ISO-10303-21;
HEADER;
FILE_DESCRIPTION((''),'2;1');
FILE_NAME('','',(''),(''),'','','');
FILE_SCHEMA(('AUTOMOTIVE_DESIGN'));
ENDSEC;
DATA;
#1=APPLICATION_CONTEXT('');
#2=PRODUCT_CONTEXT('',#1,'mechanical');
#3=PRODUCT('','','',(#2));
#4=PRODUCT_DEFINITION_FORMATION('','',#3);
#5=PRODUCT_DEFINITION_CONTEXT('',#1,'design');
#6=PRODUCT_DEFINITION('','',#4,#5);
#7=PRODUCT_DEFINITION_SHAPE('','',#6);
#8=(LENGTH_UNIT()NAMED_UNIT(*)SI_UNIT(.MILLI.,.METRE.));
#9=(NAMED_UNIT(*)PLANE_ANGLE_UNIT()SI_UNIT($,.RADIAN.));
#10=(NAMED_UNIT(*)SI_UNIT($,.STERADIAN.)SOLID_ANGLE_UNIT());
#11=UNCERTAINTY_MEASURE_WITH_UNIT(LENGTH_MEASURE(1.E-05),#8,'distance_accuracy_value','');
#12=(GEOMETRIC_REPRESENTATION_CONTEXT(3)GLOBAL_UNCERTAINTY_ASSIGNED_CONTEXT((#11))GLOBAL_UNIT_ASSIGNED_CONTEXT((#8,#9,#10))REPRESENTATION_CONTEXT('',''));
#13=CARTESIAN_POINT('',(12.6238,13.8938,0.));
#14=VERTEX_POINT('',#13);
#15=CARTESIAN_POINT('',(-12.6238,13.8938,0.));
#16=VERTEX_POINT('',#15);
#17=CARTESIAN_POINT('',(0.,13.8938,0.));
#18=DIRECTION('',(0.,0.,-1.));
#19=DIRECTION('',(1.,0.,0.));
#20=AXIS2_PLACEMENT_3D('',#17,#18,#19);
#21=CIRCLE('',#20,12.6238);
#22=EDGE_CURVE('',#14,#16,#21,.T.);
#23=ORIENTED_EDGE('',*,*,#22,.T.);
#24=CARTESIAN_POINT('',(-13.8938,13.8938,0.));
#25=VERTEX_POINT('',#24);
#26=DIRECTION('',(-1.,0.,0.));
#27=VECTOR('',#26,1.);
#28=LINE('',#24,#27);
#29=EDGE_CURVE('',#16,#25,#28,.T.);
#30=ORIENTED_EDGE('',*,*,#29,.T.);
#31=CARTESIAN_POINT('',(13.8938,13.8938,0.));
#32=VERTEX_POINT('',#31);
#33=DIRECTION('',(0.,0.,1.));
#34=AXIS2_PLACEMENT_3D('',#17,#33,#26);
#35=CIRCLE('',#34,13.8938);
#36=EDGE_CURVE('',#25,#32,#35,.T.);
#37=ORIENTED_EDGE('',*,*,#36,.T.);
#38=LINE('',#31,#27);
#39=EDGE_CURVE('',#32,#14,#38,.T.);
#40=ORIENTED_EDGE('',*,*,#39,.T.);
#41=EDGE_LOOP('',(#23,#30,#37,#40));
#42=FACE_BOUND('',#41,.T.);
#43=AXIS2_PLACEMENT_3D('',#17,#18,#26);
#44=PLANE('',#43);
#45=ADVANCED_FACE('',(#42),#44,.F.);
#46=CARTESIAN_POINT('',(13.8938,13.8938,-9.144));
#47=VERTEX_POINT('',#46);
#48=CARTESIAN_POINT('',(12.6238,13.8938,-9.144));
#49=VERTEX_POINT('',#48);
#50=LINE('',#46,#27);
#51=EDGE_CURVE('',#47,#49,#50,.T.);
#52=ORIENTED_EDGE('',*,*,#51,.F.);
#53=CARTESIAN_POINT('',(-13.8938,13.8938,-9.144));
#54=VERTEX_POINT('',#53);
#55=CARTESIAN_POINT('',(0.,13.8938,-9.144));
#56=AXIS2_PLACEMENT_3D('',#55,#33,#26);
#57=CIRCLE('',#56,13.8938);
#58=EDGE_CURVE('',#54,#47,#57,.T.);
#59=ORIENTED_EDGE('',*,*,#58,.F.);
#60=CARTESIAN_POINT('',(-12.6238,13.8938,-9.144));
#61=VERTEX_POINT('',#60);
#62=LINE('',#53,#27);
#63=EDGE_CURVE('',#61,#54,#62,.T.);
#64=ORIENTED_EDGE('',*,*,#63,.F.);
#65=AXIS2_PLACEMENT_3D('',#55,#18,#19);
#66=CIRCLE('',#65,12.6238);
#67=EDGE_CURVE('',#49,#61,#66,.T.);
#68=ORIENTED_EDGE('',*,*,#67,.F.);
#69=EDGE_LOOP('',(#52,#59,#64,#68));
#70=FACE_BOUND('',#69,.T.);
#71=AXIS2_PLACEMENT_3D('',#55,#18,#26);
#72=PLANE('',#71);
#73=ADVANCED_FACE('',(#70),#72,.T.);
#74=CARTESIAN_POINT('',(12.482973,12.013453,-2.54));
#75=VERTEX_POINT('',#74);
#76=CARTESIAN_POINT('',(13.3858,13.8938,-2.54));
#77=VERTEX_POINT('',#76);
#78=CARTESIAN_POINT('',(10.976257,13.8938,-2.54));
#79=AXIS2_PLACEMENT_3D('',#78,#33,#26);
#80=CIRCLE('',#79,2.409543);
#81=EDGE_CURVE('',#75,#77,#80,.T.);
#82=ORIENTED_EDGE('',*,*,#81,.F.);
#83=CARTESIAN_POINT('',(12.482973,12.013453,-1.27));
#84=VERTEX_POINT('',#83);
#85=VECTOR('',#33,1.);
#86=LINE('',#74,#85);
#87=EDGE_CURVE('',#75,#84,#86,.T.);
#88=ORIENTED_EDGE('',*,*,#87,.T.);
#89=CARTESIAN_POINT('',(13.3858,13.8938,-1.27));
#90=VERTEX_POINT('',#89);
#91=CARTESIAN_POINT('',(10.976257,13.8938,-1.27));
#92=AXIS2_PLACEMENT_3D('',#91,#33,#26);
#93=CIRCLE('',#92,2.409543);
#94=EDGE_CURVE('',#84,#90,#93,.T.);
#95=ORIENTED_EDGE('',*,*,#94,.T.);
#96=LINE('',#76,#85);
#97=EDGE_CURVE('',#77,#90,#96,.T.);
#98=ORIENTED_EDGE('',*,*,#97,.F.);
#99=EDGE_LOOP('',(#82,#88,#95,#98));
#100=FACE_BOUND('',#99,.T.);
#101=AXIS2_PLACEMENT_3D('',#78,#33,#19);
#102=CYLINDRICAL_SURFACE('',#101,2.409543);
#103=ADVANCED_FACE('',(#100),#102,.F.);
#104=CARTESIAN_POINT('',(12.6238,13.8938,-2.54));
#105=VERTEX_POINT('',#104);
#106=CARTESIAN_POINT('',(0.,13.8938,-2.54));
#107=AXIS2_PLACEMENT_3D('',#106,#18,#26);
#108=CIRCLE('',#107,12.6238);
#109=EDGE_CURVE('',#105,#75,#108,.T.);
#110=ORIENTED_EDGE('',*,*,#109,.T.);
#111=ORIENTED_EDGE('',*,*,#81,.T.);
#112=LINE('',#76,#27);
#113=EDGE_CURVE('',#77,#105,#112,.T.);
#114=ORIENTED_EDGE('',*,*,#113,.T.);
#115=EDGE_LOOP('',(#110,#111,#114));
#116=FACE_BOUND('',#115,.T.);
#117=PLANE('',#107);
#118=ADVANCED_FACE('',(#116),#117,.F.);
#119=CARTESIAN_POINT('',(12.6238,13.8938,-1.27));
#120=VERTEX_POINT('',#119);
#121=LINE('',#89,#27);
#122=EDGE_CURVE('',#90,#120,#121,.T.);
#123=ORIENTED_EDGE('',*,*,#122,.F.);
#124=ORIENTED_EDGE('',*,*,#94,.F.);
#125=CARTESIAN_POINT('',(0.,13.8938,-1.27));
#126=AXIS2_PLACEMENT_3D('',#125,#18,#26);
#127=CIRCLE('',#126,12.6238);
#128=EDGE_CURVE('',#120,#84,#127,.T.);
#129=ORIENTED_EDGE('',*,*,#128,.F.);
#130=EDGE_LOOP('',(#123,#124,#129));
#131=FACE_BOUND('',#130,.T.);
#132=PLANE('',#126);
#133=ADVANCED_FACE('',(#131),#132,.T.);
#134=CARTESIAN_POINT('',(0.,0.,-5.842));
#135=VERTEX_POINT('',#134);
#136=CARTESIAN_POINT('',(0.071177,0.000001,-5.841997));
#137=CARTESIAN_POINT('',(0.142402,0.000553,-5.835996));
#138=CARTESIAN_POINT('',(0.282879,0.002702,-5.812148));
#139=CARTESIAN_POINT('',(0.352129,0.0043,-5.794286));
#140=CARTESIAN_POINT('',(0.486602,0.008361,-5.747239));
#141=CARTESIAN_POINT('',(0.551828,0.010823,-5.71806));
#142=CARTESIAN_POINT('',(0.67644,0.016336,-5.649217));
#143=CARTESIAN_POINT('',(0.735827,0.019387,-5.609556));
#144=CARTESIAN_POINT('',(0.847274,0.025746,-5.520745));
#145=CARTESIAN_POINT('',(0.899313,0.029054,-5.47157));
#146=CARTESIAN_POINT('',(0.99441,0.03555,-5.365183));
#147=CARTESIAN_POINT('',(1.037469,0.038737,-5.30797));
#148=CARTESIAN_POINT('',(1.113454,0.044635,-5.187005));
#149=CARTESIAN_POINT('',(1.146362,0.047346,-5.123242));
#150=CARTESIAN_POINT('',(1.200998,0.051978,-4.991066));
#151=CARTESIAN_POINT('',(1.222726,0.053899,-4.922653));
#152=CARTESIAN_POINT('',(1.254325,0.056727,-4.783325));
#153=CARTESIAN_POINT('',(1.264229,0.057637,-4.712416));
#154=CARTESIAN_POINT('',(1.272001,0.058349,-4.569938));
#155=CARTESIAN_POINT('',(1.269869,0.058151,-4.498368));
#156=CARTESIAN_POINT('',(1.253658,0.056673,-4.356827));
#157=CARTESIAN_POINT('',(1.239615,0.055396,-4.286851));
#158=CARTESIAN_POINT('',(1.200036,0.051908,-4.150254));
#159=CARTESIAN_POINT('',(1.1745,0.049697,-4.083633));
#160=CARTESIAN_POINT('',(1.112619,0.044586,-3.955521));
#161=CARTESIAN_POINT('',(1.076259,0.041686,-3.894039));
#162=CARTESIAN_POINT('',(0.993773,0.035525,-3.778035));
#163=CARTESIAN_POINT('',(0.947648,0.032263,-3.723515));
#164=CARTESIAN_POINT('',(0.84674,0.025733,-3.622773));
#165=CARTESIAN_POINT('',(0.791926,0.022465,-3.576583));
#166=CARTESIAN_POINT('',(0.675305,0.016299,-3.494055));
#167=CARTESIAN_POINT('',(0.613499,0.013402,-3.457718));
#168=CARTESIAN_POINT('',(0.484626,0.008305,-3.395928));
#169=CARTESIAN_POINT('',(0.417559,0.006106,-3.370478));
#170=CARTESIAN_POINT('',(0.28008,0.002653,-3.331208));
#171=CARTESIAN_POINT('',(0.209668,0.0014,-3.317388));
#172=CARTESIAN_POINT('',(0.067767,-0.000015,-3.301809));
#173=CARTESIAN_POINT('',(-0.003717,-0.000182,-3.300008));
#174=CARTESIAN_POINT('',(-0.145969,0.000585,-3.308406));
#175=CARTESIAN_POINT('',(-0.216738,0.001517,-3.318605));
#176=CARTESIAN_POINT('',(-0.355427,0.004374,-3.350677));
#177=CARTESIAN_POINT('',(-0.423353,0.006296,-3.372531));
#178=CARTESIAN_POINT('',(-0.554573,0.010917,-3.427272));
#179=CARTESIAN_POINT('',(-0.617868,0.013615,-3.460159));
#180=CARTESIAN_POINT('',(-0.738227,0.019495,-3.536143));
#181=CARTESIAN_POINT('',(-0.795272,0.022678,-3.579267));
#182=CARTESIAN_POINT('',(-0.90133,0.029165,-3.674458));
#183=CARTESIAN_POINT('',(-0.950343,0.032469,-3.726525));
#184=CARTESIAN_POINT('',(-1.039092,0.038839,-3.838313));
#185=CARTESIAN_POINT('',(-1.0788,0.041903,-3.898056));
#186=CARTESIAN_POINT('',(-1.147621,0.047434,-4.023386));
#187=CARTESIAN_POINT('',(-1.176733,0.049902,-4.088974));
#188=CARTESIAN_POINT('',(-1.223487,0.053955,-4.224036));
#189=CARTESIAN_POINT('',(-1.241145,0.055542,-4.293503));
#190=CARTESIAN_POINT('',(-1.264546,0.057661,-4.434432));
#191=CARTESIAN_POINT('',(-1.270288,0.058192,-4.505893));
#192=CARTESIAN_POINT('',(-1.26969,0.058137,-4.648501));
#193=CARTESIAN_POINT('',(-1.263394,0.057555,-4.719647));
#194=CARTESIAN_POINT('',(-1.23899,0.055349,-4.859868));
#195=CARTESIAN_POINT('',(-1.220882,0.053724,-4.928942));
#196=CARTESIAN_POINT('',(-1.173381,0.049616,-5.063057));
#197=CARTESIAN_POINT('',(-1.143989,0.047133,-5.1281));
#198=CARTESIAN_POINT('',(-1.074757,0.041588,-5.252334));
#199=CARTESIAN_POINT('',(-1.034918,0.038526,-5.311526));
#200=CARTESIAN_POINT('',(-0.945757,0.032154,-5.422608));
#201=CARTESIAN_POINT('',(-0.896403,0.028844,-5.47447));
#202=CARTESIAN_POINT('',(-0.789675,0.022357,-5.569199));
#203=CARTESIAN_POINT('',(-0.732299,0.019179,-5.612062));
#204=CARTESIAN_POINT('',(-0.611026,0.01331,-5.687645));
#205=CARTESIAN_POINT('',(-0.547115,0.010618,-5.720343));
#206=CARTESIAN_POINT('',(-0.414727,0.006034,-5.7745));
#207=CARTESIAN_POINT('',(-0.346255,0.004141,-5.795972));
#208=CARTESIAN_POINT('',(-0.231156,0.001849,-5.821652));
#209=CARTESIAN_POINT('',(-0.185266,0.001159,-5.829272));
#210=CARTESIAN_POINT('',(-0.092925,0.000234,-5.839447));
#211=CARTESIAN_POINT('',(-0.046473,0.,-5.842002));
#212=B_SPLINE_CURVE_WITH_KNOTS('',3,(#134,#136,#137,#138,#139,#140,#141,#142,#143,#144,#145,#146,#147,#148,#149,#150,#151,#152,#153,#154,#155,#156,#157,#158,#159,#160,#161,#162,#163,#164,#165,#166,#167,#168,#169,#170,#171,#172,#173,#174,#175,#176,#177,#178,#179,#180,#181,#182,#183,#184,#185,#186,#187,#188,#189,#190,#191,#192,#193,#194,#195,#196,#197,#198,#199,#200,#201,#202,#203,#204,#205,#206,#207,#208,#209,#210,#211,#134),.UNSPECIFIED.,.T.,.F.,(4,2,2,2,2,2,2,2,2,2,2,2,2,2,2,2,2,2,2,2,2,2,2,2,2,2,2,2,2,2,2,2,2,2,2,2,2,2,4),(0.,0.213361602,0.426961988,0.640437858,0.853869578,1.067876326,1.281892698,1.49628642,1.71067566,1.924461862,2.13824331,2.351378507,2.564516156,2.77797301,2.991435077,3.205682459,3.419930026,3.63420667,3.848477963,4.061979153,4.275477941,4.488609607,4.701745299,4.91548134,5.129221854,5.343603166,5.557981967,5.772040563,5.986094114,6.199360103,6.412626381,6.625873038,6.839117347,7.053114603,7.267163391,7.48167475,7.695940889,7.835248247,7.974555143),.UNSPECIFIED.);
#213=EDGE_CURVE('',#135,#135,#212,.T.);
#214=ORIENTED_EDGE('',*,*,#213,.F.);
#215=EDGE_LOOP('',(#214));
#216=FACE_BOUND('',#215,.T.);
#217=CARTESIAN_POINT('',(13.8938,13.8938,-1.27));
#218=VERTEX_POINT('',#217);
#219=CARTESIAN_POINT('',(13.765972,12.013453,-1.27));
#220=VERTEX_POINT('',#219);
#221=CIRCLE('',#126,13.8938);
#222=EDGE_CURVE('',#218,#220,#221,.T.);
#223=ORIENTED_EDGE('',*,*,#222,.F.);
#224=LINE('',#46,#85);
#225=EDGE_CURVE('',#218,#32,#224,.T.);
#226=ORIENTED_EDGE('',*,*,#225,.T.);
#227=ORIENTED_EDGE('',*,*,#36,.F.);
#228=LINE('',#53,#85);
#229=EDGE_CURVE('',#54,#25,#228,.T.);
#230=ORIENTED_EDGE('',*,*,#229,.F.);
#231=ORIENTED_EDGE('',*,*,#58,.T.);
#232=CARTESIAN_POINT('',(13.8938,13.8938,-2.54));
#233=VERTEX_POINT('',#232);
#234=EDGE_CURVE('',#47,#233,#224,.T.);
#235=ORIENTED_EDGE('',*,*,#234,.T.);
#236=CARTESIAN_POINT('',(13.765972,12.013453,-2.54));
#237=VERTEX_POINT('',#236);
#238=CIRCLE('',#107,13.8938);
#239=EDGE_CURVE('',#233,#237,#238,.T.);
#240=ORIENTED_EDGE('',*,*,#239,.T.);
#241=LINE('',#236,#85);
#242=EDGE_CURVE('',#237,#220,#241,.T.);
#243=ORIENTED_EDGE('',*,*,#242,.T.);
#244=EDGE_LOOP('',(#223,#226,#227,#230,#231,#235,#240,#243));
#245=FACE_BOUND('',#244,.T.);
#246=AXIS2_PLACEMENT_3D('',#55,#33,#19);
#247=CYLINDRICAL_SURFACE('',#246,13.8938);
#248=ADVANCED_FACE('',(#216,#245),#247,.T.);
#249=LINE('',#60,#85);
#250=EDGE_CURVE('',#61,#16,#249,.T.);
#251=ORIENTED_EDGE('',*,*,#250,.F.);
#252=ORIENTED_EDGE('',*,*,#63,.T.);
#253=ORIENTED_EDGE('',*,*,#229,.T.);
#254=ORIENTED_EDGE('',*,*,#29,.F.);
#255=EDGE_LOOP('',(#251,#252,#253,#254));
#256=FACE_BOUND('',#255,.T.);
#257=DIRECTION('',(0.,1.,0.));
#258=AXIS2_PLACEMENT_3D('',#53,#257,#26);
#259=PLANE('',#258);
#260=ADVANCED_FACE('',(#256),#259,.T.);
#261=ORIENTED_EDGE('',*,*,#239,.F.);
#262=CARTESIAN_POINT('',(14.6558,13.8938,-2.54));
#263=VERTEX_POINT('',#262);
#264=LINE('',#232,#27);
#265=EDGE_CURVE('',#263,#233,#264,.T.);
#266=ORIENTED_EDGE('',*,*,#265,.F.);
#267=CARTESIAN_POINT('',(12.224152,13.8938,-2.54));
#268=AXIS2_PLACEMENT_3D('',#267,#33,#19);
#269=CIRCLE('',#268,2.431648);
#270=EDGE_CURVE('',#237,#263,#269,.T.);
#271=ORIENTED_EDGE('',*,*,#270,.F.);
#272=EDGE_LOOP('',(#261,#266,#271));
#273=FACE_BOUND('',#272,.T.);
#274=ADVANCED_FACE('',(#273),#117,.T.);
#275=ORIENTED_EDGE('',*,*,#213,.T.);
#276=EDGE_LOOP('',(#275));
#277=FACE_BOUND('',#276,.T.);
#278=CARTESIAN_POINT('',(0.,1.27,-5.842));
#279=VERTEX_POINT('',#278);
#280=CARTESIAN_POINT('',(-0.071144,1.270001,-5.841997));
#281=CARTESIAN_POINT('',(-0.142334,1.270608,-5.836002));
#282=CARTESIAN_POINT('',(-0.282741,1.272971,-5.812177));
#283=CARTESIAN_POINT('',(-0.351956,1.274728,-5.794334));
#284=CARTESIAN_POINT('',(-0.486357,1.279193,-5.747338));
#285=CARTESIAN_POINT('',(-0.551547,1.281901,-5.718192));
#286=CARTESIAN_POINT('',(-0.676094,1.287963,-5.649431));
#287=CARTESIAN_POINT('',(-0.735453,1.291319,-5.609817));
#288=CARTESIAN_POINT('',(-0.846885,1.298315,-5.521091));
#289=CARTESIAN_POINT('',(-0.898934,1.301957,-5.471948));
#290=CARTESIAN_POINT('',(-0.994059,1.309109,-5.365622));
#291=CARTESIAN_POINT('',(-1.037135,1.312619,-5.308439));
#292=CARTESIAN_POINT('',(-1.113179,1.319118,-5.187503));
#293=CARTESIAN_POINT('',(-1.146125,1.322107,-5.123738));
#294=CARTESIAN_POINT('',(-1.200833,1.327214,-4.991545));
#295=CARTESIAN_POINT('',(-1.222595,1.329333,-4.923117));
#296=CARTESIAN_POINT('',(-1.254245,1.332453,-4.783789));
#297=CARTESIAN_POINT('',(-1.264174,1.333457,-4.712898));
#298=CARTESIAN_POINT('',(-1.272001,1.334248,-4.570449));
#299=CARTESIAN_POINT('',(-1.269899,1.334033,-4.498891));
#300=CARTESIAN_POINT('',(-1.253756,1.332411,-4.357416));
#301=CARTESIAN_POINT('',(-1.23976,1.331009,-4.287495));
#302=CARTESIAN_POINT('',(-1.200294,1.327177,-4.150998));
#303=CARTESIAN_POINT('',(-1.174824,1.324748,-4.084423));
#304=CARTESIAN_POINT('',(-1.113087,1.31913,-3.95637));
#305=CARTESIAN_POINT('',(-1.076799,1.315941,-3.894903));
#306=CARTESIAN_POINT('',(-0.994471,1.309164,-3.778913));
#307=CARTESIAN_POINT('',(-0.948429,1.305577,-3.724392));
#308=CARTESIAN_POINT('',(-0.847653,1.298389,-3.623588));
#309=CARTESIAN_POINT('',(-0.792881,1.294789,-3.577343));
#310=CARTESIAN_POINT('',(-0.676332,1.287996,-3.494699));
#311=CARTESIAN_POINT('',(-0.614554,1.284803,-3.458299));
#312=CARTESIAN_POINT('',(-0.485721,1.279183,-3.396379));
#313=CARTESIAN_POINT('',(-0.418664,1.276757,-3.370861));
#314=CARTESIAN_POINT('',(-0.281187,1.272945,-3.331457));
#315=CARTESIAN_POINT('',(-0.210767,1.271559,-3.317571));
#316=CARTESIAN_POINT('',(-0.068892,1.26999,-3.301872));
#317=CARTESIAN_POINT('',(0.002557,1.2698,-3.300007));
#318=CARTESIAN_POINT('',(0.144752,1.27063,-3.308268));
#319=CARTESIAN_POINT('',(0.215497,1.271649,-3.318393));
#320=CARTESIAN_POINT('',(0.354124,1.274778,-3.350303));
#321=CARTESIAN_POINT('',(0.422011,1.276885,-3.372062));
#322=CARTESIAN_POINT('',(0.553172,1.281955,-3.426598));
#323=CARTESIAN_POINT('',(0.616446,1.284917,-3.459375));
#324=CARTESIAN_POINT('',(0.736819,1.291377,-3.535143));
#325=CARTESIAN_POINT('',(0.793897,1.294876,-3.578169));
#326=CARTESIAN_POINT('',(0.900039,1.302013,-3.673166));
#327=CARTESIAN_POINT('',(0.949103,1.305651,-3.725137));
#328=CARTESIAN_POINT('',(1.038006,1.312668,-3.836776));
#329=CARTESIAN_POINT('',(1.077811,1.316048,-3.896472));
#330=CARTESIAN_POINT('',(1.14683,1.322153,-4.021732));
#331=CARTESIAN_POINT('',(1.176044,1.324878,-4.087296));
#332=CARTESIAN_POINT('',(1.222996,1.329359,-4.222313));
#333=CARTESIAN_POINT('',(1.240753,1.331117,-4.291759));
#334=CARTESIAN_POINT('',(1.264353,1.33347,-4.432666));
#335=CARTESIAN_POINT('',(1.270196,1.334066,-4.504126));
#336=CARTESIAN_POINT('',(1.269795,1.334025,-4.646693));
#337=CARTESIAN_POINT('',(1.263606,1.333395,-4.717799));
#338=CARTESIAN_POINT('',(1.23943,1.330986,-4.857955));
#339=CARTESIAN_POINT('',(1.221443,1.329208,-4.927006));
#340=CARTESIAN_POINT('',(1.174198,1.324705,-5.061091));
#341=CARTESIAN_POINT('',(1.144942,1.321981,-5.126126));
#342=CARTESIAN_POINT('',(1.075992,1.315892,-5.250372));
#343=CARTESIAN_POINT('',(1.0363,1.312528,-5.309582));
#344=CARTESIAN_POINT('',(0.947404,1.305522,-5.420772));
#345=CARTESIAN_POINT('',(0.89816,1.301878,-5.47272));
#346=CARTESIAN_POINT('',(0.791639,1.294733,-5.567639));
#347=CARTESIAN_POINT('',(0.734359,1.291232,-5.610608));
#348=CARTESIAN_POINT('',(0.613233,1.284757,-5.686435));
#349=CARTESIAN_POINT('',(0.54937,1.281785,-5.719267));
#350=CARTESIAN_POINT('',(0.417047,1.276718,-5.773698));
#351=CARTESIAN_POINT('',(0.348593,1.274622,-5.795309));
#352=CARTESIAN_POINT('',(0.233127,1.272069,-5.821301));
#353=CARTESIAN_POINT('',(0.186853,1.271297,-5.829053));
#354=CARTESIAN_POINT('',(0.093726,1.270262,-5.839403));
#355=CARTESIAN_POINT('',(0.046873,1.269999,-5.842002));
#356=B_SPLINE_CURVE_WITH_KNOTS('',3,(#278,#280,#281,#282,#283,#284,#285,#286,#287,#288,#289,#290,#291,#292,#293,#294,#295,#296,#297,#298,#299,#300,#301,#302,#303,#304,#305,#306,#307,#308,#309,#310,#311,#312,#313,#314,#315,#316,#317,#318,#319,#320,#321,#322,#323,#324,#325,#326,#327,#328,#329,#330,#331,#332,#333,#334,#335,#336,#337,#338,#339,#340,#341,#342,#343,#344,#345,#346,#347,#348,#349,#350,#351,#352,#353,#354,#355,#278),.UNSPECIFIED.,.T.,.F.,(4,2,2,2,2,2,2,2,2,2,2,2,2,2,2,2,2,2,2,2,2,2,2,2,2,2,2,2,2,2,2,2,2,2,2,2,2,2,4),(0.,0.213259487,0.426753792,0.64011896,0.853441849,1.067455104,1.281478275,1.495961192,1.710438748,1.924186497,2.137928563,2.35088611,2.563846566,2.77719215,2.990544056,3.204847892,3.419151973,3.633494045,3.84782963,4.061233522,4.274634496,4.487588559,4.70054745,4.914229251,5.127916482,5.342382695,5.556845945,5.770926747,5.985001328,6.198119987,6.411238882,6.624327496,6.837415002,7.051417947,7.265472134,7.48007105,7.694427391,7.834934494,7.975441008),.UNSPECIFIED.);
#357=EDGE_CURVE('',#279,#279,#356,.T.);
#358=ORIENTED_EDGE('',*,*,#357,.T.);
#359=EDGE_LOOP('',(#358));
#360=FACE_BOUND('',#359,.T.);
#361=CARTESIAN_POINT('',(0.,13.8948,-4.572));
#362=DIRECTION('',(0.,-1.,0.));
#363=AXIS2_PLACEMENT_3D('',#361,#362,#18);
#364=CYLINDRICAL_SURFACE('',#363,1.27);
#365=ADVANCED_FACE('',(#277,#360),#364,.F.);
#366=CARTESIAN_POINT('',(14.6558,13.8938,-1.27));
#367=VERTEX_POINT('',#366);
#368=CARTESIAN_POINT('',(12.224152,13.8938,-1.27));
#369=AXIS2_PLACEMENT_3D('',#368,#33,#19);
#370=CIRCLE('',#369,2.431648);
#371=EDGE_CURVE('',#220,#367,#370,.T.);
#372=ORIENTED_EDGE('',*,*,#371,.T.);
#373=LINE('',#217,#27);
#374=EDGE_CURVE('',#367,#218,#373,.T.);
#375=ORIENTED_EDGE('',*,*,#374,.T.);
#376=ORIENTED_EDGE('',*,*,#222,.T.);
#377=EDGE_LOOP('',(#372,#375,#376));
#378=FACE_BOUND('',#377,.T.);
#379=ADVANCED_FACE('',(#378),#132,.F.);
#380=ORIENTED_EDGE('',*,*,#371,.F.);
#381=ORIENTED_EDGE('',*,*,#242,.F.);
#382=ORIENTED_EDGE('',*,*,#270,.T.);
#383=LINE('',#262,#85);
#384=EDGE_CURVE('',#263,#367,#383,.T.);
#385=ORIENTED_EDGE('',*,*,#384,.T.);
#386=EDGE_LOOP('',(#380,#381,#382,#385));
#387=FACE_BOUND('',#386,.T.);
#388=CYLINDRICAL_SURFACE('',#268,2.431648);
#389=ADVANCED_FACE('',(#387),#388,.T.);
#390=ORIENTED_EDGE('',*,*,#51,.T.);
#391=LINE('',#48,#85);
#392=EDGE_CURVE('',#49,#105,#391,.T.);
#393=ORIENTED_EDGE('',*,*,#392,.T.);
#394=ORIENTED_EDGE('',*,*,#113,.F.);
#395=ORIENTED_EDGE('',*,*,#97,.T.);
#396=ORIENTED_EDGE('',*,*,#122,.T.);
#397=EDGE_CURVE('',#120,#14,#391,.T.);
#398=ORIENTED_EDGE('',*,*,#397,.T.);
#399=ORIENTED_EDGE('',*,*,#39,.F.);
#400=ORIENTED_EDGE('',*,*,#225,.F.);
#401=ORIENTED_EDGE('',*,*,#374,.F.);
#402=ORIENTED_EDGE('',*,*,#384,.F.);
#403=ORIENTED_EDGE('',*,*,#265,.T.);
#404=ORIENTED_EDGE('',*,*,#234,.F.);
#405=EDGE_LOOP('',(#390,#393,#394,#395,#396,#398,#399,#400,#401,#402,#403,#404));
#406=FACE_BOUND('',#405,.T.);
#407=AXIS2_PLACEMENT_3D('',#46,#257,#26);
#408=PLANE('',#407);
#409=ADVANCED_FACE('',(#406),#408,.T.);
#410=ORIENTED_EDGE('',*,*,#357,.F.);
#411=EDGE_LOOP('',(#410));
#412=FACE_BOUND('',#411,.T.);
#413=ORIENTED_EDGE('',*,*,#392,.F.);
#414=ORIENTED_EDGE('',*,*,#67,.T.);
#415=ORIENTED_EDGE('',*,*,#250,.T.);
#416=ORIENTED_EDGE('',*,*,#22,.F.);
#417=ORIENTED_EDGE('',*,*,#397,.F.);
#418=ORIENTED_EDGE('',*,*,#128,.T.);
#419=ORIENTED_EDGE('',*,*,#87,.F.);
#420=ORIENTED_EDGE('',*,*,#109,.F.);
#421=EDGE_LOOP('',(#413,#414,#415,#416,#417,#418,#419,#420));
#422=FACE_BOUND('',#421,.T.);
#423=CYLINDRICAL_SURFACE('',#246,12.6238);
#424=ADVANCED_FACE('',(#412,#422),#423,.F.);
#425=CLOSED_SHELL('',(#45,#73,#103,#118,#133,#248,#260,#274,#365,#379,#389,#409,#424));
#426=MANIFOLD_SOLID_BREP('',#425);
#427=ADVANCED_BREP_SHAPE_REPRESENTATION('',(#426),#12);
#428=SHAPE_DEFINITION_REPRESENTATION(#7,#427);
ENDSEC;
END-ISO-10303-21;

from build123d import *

# Parameters (mm, degrees)
BOSS_EXTRUDE1_DEPTH     = 9.144
CUT_EXTRUDE1_REACH      = 23.672
CUT_EXTRUDE1_END_RADIUS = 12.6238
SKETCH2_R               = 1.27
BOSS_EXTRUDE2_DEPTH     = 1.27
CUT_EXTRUDE2_DEPTH      = 1.27


with BuildPart() as part:
    # Sketch1 → Boss-Extrude1 (new body)
    with BuildSketch(Plane.XY):
        with BuildLine():
            Line((13.8938, 13.8938), (12.6238, 13.8938))
            ThreePointArc((12.6238, 13.8938), (0, 1.27), (-12.6238, 13.8938))
            Line((-12.6238, 13.8938), (-13.8938, 13.8938))
            ThreePointArc((-13.8938, 13.8938), (0, 0), (13.8938, 13.8938))
        make_face()
    extrude(amount=-BOSS_EXTRUDE1_DEPTH)

    # Cut-Extrude1: up to this cylinder (the profile starts outside it)
    cut_extrude1_end = Plane(origin=(0, 13.8938, -4.572), z_dir=(0, 0, 1)) * Cylinder(CUT_EXTRUDE1_END_RADIUS, 73.5916, mode=Mode.PRIVATE)
    # Sketch2 → Cut-Extrude1 (cut, up to the surface)
    with BuildSketch(Plane(origin=(0, 0, 0), x_dir=(1, 0, 0), z_dir=(0, 1, 0)), mode=Mode.PRIVATE) as cut_extrude1_sk1:
        with Locations(Location((0, 4.572, 0), (0, 0, 90))):
            Circle(SKETCH2_R)
    cut_extrude1_tool1 = extrude(cut_extrude1_sk1.sketch, amount=CUT_EXTRUDE1_REACH, mode=Mode.PRIVATE) - cut_extrude1_end
    add(cut_extrude1_tool1.solids().sort_by_distance((0, 0, -4.572))[0], mode=Mode.SUBTRACT)

    # Sketch3 → Boss-Extrude2 (add)
    with BuildSketch(Plane.XY.offset(-1.27)):
        with BuildLine():
            Line((13.8938, 13.8938), (14.6558, 13.8938))
            ThreePointArc((14.6558, 13.8938), (14.422114074, 12.853667951), (13.765971607, 12.013453184))
            ThreePointArc((13.765971607, 12.013453184), (13.861806065, 12.951456612), (13.8938, 13.8938))
        make_face()
    extrude(amount=-BOSS_EXTRUDE2_DEPTH)

    # Sketch4 → Cut-Extrude2 (cut)
    with BuildSketch(Plane.XY.offset(-1.27)):
        with BuildLine():
            Line((13.3858, 13.8938), (12.6238, 13.8938))
            ThreePointArc((12.6238, 13.8938), (12.588544092, 12.95099351), (12.482973295, 12.013453184))
            ThreePointArc((12.482973295, 12.013453184), (13.148398246, 12.850871406), (13.3858, 13.8938))
        make_face()
    extrude(amount=-CUT_EXTRUDE2_DEPTH, mode=Mode.SUBTRACT)


solid = part.part
